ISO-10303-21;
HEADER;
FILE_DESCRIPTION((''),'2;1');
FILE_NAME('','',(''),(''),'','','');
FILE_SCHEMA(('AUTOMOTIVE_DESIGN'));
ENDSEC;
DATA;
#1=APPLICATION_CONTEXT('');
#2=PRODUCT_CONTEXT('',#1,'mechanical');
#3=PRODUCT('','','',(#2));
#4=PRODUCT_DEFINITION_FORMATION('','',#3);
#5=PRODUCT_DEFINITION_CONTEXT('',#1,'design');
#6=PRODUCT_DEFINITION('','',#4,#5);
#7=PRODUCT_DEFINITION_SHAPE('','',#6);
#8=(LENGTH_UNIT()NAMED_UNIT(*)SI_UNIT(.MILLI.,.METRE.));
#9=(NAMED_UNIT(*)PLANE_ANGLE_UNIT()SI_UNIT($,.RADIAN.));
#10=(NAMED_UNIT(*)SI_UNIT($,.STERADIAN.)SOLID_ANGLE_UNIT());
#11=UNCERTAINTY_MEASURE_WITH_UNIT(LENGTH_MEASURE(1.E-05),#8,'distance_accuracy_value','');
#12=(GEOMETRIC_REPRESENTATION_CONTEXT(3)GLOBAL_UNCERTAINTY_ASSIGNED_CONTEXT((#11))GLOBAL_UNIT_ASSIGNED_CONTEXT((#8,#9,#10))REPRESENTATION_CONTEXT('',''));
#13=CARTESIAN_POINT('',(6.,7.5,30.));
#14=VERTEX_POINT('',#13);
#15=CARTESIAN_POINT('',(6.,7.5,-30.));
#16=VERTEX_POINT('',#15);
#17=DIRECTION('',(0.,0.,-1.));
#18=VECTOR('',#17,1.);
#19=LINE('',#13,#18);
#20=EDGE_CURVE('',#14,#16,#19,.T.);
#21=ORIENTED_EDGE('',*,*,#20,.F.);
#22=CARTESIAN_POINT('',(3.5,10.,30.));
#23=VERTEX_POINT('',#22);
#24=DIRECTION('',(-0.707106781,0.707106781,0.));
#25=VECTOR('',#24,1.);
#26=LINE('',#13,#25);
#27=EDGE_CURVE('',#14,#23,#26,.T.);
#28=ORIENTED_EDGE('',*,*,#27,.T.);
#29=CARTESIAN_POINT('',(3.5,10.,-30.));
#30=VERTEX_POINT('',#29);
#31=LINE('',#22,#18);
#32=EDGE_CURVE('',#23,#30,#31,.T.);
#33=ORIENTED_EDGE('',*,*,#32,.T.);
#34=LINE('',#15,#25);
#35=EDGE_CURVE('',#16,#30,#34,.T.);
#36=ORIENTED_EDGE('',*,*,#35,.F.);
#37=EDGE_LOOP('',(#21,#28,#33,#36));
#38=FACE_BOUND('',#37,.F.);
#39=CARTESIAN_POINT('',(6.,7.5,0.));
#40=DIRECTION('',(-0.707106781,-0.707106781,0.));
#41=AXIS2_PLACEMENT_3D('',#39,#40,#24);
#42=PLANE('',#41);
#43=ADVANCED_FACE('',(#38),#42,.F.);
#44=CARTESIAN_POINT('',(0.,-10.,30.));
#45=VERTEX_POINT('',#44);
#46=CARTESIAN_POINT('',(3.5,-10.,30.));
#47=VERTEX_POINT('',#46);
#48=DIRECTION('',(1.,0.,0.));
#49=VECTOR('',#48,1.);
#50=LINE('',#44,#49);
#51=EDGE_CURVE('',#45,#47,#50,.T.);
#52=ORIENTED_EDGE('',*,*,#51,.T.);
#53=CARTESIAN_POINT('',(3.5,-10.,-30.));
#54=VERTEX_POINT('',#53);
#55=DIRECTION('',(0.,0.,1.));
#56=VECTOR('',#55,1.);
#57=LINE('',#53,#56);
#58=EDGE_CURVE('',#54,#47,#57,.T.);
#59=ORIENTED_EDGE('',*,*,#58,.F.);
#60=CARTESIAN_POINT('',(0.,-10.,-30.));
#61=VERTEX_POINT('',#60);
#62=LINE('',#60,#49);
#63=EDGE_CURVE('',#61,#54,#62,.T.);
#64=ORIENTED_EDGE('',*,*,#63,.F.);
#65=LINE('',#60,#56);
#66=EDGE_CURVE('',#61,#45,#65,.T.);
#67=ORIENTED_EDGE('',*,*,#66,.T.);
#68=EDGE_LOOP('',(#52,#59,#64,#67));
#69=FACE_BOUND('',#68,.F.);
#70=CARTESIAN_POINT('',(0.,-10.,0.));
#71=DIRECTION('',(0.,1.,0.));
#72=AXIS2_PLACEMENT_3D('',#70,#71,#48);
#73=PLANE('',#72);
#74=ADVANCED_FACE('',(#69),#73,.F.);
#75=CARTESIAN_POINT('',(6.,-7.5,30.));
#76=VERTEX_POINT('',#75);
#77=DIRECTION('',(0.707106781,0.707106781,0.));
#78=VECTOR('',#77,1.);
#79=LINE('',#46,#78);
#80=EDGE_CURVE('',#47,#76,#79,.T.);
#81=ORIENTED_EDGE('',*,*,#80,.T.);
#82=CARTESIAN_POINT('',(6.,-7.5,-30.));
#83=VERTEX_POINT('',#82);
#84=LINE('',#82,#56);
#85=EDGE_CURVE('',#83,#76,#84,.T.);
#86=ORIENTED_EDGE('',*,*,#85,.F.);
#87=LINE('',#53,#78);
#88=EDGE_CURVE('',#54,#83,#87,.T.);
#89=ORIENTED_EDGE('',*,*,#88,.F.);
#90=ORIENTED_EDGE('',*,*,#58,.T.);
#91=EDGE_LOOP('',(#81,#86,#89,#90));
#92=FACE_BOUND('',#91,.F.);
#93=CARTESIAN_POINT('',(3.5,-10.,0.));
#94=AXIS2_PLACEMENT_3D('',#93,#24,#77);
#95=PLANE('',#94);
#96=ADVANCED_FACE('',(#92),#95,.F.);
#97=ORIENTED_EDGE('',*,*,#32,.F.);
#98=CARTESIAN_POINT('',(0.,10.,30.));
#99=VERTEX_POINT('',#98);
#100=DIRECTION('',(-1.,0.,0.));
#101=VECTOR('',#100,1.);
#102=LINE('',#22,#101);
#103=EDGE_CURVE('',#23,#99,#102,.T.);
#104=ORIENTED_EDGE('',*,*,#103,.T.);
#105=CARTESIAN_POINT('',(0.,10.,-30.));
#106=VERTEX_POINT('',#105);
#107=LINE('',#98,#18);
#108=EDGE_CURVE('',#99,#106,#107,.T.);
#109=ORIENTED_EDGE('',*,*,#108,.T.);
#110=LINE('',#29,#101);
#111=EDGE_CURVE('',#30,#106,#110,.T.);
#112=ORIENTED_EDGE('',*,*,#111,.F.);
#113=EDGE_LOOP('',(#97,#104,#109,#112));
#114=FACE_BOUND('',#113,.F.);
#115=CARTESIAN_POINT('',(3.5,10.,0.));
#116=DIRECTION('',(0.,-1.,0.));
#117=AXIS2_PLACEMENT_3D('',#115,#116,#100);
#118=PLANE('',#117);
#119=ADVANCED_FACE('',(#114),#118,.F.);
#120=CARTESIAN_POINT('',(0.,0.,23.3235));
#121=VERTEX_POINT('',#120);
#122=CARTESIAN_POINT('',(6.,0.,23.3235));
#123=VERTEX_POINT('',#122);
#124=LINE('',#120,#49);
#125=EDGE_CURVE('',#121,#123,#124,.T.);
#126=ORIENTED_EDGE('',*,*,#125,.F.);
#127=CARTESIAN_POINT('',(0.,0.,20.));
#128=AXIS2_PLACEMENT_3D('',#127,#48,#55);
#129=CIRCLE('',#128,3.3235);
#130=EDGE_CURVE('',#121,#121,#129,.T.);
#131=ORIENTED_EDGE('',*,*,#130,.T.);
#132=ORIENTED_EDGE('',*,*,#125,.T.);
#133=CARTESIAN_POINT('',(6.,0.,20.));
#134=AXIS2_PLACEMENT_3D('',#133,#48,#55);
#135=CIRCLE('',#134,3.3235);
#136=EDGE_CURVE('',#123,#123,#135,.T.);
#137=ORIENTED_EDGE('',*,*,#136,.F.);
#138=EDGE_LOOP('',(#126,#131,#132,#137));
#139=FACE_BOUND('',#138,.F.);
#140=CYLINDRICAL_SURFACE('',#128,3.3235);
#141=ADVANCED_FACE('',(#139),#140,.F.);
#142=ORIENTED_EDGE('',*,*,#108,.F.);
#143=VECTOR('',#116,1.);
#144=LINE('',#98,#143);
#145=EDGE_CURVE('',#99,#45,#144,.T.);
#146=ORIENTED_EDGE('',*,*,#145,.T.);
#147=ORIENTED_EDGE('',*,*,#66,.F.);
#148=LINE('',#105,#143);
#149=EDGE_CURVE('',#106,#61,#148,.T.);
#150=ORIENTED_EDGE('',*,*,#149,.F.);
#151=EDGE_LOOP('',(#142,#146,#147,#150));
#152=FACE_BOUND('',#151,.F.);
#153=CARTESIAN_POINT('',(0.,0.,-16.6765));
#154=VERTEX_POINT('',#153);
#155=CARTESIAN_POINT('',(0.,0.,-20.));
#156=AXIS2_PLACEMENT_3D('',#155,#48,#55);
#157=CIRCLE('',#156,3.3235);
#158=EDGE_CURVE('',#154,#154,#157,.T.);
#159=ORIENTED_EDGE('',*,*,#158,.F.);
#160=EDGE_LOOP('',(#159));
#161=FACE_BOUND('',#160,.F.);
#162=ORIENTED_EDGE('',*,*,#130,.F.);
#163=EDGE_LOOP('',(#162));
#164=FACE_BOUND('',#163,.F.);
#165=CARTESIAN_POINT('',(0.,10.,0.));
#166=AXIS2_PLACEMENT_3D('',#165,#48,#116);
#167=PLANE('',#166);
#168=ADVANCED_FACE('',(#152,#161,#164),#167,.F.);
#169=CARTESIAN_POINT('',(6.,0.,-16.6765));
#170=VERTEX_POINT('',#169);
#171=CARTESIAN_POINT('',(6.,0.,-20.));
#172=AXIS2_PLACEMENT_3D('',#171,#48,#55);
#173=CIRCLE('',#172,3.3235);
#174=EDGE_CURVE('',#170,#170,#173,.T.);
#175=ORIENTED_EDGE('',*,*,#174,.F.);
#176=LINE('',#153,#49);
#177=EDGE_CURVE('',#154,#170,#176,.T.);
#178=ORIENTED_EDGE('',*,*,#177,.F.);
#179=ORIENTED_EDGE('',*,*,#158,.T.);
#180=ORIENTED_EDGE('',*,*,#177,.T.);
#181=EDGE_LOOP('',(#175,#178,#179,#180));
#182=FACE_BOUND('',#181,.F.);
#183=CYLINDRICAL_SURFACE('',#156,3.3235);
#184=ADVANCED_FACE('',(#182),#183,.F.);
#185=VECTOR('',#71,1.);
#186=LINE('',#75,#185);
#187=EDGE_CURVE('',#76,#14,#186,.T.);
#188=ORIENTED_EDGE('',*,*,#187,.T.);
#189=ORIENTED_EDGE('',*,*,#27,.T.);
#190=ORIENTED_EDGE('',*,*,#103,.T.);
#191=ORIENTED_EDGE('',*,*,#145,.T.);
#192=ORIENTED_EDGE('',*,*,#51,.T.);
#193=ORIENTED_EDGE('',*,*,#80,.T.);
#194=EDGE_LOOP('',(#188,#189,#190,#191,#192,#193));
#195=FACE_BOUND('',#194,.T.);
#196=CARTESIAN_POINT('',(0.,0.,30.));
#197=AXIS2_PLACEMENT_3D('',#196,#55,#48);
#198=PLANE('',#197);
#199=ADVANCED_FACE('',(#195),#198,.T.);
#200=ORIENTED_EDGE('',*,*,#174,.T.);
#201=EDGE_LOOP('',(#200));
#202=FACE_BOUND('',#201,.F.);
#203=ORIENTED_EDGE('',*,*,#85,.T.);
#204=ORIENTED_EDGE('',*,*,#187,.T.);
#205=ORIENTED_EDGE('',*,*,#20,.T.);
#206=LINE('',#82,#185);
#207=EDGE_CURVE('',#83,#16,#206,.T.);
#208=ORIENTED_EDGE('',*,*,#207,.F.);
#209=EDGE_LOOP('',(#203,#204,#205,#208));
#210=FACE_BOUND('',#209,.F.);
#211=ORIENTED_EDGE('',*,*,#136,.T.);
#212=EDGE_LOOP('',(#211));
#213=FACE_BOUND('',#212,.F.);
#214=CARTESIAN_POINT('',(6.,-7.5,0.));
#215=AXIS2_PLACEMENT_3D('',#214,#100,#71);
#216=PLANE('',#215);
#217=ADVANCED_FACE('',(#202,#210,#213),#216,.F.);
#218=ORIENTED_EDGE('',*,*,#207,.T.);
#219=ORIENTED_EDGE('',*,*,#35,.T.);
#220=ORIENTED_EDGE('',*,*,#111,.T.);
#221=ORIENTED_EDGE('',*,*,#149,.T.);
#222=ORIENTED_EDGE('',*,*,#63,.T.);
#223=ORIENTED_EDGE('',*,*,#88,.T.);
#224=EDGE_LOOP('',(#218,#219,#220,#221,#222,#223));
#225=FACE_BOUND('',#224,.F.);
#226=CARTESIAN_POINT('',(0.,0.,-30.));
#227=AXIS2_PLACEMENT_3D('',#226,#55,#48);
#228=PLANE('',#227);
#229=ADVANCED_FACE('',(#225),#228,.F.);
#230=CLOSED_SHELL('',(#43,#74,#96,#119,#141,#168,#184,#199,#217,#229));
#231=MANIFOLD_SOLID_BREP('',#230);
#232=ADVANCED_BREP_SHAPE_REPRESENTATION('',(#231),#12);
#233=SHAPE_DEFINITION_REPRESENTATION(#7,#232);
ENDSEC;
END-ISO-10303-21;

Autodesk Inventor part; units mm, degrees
ref_plane "YZ Plane" through (0, 0, 0) normal (1, 0, 0) x (0, 1, 0)
ref_plane "XZ Plane" through (0, 0, 0) normal (0, 1, 0) x (-1, 0, 0)
ref_plane "XY Plane" through (0, 0, 0) normal (0, 0, 1) x (1, 0, 0)
sketch "Sketch1" plane through (0, 0, 0) normal (0, 0, 1) x (1, 0, 0)
  line L0 (0, -10) -> (3.5, -10)
  line L1 (0, 10) -> (0, -10)
  line L2 (3.5, 10) -> (0, 10)
  line L3 (6, 7.5) -> (3.5, 10)
  line L4 (6, -7.5) -> (6, 7.5)
  line L5 (3.5, -10) -> (6, -7.5)
  line L6 (-1.2, 0) -> (7.2, 0) construction
  line L7 (0, -14) -> (0, 14) construction
  dimension "d0" = 20
  dimension "d1" = 15
  dimension "d2" = 45
  dimension "d3" = 6
extrude "Extrusion1" add sketch "Sketch1" along normal mid plane 60
sketch "Sketch2" plane through (0, -10, 30) normal (-1, 0, 0) x (0, 0, 1)
  line L0 (-72, 10) -> (12, 10) construction
  line L1 (-30, -4) -> (-30, 24) construction
  point P0 (-30, 10)
  point P1 (-50, 10)
  point P2 (-10, 10)
  dimension "d6" = 40
hole "Hole1" at (0, 0, -20) at (0, 0, 20) direction (1, 0, 0) diameter 6.647 end through all thread size "M8x1.25" class "6H" standard "ANSI Metric M Profile"
properties part number "NUT, MK 2/40, M8" material "Steel, Alloy"
